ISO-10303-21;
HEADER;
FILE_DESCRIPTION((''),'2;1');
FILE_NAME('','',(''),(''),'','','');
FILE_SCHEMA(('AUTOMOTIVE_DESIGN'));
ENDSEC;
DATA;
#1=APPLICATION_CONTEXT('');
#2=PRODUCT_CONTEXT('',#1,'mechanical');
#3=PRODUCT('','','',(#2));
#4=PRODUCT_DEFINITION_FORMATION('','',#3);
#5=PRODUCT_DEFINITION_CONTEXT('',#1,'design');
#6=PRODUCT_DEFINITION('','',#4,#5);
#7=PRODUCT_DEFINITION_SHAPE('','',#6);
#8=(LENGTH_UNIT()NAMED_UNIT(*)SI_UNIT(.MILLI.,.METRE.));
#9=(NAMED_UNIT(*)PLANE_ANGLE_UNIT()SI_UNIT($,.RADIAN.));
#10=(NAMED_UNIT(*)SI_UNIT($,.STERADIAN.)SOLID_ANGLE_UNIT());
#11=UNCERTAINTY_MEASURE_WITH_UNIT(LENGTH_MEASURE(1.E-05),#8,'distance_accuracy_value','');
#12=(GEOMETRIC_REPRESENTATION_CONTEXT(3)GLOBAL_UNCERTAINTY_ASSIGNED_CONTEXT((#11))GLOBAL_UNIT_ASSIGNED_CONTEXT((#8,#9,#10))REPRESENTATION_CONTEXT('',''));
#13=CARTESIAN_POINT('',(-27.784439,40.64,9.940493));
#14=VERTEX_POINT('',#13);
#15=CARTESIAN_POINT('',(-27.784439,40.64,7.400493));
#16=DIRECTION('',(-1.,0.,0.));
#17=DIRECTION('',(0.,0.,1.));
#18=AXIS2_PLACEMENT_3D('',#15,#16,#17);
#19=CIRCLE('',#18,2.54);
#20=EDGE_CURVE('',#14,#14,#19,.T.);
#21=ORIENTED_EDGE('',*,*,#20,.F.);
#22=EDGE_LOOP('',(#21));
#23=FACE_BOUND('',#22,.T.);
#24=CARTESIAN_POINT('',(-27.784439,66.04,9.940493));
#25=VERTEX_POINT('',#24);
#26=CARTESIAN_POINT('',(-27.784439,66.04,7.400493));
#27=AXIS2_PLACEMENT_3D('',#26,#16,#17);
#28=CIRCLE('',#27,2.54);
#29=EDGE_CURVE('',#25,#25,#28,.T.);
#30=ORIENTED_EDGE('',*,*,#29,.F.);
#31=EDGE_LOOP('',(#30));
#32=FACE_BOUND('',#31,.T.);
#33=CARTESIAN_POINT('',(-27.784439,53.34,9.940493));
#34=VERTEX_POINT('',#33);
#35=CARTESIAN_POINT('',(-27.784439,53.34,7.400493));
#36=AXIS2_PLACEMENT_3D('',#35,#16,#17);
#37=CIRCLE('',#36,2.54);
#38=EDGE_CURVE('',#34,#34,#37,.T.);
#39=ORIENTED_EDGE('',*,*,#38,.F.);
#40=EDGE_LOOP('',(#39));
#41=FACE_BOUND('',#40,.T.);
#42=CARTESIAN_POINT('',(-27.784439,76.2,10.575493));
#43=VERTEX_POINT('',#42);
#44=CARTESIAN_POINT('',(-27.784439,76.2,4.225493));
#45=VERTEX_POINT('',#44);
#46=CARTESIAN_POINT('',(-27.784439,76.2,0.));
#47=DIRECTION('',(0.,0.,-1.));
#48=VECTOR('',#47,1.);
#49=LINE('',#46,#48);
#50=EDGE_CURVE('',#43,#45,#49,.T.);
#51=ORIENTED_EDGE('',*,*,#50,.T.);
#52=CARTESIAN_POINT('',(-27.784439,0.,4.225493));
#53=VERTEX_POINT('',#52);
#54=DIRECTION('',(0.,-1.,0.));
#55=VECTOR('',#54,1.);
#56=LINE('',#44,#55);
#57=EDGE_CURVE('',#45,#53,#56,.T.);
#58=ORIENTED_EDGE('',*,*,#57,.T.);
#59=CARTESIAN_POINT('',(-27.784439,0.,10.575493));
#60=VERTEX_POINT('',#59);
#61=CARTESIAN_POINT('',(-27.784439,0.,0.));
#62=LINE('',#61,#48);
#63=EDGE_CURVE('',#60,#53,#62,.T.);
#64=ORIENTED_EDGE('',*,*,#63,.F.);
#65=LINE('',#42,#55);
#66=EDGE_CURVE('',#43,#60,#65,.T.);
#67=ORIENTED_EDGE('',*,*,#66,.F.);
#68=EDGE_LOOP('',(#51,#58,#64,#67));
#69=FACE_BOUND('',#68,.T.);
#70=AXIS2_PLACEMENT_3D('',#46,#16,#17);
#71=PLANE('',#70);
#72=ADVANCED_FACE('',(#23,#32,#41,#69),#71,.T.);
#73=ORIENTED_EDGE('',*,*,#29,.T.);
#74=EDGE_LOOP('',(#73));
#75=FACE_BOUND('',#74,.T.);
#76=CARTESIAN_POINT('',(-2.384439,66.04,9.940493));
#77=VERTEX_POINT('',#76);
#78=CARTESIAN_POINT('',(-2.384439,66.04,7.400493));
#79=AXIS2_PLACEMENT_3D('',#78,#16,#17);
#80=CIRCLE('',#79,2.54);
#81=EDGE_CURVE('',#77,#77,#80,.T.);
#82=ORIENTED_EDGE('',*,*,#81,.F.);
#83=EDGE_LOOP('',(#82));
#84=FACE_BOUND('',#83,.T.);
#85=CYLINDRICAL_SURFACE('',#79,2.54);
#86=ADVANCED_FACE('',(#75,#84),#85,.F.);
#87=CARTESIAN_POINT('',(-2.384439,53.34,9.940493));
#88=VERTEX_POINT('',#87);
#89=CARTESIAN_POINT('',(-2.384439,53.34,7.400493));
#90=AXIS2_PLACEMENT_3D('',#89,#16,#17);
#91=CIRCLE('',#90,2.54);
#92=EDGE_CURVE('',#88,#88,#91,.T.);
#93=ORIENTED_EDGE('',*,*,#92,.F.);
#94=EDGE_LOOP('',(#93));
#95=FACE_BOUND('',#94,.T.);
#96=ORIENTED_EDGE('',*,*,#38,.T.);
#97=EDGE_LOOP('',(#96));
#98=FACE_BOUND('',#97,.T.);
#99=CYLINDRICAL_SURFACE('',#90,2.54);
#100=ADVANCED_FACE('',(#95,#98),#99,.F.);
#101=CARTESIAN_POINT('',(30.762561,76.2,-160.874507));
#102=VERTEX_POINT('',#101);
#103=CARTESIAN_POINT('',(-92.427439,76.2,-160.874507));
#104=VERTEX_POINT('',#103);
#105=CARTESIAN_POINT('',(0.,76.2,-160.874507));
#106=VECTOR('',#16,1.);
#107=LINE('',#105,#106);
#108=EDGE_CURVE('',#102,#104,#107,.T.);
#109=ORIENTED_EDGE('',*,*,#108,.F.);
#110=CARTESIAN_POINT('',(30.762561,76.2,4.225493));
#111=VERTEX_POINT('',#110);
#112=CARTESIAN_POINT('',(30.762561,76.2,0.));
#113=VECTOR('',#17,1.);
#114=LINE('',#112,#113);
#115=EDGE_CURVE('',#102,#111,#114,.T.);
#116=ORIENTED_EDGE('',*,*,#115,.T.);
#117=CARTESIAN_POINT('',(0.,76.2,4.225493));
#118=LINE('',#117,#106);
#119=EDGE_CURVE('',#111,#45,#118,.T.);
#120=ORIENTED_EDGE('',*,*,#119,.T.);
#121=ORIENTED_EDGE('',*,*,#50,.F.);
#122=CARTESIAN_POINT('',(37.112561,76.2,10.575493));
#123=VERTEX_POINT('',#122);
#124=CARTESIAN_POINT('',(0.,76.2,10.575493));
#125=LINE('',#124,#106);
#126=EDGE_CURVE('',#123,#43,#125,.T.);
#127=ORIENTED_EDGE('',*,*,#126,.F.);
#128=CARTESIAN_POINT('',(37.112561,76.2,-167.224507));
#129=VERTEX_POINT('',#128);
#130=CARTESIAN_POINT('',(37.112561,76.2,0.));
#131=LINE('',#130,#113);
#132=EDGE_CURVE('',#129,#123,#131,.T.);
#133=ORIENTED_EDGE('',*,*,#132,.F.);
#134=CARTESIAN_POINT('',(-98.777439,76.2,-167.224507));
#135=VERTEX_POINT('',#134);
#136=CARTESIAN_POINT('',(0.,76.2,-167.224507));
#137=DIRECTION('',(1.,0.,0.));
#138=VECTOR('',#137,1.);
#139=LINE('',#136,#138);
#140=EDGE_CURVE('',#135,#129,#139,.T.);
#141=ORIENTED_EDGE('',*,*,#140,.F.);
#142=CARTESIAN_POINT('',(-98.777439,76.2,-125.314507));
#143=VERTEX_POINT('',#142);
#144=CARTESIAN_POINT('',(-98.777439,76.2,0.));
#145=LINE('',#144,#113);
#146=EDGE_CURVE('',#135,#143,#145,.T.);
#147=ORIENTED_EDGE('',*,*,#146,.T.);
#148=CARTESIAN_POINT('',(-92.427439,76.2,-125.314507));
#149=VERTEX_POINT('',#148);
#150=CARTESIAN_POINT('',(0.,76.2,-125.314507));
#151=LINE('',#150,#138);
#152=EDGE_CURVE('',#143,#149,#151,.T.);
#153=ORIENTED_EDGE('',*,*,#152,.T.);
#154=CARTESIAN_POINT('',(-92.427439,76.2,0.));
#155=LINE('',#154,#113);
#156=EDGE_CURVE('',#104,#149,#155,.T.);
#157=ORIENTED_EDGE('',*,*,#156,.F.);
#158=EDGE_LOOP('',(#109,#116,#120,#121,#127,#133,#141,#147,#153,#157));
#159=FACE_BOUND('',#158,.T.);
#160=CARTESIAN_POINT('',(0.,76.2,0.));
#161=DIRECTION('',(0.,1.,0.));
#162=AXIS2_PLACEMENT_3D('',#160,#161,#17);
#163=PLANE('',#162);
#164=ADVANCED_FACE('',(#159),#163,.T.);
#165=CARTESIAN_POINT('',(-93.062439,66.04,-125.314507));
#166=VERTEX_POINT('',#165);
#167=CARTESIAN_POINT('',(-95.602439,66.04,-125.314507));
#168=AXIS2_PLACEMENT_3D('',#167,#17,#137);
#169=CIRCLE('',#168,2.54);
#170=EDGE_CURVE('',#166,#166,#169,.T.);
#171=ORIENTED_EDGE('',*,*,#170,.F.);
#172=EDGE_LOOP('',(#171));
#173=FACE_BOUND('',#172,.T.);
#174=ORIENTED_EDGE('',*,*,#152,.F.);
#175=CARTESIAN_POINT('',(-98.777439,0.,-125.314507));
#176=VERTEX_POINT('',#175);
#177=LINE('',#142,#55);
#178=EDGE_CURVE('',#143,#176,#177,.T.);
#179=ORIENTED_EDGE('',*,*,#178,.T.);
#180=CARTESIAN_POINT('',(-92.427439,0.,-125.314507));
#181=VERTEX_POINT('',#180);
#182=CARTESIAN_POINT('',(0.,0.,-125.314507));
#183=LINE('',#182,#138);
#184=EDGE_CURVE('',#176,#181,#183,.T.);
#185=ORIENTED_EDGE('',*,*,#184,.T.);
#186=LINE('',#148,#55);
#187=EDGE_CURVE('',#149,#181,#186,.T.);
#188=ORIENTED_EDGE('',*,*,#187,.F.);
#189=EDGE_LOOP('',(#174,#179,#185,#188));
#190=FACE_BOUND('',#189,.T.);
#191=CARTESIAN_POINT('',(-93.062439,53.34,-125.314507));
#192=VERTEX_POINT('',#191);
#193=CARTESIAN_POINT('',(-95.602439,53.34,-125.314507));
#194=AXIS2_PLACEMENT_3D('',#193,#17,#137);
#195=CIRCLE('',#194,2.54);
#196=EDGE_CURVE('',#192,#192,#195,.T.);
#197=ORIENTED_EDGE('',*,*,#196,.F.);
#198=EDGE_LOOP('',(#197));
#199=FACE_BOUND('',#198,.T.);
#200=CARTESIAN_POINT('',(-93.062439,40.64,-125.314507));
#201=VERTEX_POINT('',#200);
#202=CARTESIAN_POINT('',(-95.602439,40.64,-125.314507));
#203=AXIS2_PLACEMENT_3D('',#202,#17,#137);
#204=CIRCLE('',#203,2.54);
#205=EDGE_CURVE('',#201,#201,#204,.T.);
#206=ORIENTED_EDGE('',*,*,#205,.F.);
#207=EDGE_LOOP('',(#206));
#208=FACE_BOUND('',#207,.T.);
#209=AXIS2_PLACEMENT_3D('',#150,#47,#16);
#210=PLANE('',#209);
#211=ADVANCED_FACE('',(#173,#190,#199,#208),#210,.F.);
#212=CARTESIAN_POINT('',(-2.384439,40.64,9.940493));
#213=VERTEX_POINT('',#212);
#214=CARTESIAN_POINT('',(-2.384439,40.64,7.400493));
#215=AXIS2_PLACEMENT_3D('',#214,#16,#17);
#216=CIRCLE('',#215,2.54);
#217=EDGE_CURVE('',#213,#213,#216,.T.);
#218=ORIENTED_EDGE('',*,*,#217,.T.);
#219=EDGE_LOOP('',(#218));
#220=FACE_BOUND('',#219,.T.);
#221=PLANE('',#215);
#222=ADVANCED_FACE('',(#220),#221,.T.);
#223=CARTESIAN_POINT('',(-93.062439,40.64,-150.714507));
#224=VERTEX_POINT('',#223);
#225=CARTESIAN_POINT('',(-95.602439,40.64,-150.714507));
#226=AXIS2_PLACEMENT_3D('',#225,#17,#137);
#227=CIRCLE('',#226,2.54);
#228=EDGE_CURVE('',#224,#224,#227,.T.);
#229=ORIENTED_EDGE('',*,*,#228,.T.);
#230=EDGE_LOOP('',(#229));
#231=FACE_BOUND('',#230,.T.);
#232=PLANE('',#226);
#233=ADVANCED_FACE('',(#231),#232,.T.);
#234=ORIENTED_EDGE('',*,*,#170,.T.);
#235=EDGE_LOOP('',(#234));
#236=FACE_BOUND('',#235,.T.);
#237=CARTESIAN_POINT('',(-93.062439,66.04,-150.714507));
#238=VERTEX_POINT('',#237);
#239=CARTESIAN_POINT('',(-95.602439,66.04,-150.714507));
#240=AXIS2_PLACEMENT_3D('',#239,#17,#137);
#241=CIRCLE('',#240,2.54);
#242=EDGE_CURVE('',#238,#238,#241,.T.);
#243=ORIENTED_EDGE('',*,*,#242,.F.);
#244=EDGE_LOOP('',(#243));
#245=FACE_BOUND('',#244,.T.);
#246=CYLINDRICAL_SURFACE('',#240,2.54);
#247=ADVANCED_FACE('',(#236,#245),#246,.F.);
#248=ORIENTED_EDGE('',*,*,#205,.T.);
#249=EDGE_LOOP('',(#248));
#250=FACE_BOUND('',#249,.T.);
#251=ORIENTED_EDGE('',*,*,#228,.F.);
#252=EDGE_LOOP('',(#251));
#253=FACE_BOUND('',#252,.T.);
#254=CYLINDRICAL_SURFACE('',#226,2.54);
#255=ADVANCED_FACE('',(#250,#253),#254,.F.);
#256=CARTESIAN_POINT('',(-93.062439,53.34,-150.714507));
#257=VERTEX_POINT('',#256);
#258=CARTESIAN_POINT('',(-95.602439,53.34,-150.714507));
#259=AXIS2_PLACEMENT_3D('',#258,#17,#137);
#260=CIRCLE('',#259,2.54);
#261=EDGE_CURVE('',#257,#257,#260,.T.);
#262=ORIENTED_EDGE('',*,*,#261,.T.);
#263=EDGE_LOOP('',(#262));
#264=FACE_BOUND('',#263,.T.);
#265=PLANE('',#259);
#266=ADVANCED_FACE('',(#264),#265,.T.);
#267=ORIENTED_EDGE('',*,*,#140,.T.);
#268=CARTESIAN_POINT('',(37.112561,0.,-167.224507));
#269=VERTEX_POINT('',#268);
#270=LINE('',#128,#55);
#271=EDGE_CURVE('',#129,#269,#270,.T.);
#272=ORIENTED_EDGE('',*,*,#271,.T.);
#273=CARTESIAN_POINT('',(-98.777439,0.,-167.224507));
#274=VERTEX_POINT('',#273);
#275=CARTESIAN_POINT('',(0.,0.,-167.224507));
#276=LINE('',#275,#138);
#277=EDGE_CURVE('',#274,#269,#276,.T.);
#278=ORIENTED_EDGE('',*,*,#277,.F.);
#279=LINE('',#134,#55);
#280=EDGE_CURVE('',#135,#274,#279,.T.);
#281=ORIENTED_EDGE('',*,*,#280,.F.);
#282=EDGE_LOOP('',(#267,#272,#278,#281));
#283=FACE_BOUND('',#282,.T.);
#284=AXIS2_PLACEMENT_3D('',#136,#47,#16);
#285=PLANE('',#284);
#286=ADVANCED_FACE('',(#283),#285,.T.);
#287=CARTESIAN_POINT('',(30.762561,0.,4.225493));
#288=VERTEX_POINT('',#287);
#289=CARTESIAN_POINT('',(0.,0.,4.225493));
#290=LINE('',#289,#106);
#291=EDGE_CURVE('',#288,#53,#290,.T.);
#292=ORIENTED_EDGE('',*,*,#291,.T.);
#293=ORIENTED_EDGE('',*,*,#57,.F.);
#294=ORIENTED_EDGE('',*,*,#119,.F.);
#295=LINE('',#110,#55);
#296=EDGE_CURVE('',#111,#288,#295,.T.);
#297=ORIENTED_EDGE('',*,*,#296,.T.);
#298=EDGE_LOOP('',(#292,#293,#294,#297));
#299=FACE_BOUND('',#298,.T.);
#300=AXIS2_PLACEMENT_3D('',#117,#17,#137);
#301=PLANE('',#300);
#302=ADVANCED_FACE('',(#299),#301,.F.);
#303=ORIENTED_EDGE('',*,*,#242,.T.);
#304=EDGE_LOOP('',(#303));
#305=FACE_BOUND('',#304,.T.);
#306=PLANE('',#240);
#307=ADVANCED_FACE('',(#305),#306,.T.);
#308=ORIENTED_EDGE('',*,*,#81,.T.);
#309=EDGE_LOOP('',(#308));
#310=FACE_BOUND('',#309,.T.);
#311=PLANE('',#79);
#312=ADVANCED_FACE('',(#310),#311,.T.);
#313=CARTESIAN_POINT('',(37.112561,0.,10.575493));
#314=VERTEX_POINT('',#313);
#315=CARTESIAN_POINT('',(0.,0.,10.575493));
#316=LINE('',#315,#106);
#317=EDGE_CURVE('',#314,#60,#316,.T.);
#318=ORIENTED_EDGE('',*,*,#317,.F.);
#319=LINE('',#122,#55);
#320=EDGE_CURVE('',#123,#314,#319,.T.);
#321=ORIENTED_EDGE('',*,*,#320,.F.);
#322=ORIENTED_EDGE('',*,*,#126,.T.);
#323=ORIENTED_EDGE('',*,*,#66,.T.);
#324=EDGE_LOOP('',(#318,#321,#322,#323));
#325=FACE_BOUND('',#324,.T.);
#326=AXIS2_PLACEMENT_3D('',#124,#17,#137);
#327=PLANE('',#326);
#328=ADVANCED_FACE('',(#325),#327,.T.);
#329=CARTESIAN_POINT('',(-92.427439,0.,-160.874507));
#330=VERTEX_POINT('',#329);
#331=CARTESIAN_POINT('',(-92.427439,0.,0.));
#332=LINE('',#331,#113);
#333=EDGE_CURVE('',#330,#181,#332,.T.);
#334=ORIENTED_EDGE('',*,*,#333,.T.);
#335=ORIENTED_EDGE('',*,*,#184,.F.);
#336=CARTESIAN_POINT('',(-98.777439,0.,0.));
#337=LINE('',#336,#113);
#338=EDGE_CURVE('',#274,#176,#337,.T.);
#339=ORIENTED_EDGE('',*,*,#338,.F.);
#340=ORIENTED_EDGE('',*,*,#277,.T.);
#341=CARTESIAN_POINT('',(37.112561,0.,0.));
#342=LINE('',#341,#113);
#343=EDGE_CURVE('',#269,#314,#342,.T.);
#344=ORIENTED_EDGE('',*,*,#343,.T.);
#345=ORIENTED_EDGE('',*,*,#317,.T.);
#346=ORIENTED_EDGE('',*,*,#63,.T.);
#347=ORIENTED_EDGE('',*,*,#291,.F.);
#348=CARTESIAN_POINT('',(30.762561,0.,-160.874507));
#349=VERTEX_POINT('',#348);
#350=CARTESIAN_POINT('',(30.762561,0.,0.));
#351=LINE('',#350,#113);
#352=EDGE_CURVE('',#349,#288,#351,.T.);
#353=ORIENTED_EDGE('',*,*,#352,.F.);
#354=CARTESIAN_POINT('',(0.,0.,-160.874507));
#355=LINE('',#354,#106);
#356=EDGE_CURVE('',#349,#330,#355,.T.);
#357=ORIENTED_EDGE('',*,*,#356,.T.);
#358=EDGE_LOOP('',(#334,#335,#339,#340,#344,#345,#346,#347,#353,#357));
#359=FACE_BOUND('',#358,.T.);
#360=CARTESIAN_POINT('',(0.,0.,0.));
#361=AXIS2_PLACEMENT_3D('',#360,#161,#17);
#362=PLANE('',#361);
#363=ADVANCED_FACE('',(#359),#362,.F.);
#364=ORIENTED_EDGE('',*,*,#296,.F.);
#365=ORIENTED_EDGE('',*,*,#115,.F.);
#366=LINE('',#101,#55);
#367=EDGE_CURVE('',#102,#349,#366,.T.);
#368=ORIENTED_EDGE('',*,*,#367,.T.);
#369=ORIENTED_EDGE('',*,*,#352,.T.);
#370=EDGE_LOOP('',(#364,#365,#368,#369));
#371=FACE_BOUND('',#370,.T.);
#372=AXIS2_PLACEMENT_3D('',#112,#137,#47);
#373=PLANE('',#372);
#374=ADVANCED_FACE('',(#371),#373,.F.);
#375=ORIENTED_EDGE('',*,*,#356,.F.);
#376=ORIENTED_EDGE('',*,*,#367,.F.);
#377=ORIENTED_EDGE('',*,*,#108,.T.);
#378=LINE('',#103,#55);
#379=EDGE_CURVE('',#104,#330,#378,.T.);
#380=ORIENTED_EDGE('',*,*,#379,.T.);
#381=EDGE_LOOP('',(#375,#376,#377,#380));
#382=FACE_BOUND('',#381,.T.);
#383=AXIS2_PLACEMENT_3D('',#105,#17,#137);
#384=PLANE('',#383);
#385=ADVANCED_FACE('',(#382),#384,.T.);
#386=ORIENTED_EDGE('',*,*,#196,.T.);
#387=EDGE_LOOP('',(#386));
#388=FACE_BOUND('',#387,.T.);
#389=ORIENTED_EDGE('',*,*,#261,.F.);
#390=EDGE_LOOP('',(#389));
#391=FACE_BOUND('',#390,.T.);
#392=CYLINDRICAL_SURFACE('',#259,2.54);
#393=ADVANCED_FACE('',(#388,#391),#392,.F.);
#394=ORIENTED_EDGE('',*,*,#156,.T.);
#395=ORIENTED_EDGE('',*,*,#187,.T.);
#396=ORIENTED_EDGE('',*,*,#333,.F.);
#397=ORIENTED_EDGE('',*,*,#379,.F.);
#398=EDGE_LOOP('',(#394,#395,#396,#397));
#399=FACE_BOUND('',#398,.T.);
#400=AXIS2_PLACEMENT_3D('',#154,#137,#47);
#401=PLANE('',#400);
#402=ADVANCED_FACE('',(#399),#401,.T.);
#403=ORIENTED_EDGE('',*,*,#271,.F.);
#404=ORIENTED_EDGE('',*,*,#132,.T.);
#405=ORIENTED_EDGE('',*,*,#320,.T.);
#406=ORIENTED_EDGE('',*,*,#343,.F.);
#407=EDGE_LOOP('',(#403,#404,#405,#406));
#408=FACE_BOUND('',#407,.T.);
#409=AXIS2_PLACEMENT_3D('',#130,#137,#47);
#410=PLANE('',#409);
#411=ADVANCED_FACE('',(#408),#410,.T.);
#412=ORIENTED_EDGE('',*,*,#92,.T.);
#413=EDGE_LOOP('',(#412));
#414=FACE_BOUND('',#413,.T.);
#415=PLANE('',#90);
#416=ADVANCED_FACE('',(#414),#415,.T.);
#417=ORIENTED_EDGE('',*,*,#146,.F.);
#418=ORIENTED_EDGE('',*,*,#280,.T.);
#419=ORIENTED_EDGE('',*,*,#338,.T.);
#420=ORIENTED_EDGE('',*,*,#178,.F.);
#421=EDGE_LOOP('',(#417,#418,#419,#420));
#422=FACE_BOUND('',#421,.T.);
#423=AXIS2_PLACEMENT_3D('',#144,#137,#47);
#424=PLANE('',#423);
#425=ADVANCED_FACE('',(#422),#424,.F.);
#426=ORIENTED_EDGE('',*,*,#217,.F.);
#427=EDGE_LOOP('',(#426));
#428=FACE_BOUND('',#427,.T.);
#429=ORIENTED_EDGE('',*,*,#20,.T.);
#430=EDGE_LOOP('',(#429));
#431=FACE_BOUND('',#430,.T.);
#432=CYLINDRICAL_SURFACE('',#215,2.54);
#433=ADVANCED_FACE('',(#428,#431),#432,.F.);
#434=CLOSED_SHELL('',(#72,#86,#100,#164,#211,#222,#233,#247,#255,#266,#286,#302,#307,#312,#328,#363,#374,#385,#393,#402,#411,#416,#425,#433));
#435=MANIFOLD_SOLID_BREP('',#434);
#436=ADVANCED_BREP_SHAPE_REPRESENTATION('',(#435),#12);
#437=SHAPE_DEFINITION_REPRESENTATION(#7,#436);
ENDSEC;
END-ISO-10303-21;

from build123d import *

# Parameters (mm, degrees)
BOSS_EXTRUDE1_DEPTH = 76.2
SKETCH4_R           = 2.54
CUT_EXTRUDE2_DEPTH  = 25.4
SKETCH6_R           = 2.54
CUT_EXTRUDE4_DEPTH  = 25.4


with BuildPart() as part:
    # Sketch1 → Boss-Extrude1 (new body)
    with BuildSketch(Plane(origin=(0, 0, 0), x_dir=(1, 0, 0), z_dir=(0, 1, 0))):
        Polygon((37.11256121, 167.224507406), (-98.77743879, 167.224507406), (-98.77743879, 125.314507406), (-92.42743879, 125.314507406), (-92.42743879, 160.874507406), (30.76256121, 160.874507406), (30.76256121, -4.225492594), (-27.78443879, -4.225492594), (-27.78443879, -10.575492594), (37.11256121, -10.575492594), align=None)
    extrude(amount=BOSS_EXTRUDE1_DEPTH)

    # Sketch4 → Cut-Extrude2 (cut)
    with BuildSketch(Plane.ZY.offset(27.78443879)):
        with Locations((7.400492594, 66.04)):
            Circle(SKETCH4_R)
        with Locations((7.400492594, 53.34)):
            Circle(SKETCH4_R)
        with Locations((7.400492594, 40.64)):
            Circle(SKETCH4_R)
    extrude(amount=-CUT_EXTRUDE2_DEPTH, mode=Mode.SUBTRACT)

    # Sketch6 → Cut-Extrude4 (cut)
    with BuildSketch(Plane.XY.offset(-125.314507406)):
        with Locations((-95.60243879, 66.04)):
            Circle(SKETCH6_R)
        with Locations((-95.60243879, 53.34)):
            Circle(SKETCH6_R)
        with Locations((-95.60243879, 40.64)):
            Circle(SKETCH6_R)
    extrude(amount=-CUT_EXTRUDE4_DEPTH, mode=Mode.SUBTRACT)


solid = part.part
